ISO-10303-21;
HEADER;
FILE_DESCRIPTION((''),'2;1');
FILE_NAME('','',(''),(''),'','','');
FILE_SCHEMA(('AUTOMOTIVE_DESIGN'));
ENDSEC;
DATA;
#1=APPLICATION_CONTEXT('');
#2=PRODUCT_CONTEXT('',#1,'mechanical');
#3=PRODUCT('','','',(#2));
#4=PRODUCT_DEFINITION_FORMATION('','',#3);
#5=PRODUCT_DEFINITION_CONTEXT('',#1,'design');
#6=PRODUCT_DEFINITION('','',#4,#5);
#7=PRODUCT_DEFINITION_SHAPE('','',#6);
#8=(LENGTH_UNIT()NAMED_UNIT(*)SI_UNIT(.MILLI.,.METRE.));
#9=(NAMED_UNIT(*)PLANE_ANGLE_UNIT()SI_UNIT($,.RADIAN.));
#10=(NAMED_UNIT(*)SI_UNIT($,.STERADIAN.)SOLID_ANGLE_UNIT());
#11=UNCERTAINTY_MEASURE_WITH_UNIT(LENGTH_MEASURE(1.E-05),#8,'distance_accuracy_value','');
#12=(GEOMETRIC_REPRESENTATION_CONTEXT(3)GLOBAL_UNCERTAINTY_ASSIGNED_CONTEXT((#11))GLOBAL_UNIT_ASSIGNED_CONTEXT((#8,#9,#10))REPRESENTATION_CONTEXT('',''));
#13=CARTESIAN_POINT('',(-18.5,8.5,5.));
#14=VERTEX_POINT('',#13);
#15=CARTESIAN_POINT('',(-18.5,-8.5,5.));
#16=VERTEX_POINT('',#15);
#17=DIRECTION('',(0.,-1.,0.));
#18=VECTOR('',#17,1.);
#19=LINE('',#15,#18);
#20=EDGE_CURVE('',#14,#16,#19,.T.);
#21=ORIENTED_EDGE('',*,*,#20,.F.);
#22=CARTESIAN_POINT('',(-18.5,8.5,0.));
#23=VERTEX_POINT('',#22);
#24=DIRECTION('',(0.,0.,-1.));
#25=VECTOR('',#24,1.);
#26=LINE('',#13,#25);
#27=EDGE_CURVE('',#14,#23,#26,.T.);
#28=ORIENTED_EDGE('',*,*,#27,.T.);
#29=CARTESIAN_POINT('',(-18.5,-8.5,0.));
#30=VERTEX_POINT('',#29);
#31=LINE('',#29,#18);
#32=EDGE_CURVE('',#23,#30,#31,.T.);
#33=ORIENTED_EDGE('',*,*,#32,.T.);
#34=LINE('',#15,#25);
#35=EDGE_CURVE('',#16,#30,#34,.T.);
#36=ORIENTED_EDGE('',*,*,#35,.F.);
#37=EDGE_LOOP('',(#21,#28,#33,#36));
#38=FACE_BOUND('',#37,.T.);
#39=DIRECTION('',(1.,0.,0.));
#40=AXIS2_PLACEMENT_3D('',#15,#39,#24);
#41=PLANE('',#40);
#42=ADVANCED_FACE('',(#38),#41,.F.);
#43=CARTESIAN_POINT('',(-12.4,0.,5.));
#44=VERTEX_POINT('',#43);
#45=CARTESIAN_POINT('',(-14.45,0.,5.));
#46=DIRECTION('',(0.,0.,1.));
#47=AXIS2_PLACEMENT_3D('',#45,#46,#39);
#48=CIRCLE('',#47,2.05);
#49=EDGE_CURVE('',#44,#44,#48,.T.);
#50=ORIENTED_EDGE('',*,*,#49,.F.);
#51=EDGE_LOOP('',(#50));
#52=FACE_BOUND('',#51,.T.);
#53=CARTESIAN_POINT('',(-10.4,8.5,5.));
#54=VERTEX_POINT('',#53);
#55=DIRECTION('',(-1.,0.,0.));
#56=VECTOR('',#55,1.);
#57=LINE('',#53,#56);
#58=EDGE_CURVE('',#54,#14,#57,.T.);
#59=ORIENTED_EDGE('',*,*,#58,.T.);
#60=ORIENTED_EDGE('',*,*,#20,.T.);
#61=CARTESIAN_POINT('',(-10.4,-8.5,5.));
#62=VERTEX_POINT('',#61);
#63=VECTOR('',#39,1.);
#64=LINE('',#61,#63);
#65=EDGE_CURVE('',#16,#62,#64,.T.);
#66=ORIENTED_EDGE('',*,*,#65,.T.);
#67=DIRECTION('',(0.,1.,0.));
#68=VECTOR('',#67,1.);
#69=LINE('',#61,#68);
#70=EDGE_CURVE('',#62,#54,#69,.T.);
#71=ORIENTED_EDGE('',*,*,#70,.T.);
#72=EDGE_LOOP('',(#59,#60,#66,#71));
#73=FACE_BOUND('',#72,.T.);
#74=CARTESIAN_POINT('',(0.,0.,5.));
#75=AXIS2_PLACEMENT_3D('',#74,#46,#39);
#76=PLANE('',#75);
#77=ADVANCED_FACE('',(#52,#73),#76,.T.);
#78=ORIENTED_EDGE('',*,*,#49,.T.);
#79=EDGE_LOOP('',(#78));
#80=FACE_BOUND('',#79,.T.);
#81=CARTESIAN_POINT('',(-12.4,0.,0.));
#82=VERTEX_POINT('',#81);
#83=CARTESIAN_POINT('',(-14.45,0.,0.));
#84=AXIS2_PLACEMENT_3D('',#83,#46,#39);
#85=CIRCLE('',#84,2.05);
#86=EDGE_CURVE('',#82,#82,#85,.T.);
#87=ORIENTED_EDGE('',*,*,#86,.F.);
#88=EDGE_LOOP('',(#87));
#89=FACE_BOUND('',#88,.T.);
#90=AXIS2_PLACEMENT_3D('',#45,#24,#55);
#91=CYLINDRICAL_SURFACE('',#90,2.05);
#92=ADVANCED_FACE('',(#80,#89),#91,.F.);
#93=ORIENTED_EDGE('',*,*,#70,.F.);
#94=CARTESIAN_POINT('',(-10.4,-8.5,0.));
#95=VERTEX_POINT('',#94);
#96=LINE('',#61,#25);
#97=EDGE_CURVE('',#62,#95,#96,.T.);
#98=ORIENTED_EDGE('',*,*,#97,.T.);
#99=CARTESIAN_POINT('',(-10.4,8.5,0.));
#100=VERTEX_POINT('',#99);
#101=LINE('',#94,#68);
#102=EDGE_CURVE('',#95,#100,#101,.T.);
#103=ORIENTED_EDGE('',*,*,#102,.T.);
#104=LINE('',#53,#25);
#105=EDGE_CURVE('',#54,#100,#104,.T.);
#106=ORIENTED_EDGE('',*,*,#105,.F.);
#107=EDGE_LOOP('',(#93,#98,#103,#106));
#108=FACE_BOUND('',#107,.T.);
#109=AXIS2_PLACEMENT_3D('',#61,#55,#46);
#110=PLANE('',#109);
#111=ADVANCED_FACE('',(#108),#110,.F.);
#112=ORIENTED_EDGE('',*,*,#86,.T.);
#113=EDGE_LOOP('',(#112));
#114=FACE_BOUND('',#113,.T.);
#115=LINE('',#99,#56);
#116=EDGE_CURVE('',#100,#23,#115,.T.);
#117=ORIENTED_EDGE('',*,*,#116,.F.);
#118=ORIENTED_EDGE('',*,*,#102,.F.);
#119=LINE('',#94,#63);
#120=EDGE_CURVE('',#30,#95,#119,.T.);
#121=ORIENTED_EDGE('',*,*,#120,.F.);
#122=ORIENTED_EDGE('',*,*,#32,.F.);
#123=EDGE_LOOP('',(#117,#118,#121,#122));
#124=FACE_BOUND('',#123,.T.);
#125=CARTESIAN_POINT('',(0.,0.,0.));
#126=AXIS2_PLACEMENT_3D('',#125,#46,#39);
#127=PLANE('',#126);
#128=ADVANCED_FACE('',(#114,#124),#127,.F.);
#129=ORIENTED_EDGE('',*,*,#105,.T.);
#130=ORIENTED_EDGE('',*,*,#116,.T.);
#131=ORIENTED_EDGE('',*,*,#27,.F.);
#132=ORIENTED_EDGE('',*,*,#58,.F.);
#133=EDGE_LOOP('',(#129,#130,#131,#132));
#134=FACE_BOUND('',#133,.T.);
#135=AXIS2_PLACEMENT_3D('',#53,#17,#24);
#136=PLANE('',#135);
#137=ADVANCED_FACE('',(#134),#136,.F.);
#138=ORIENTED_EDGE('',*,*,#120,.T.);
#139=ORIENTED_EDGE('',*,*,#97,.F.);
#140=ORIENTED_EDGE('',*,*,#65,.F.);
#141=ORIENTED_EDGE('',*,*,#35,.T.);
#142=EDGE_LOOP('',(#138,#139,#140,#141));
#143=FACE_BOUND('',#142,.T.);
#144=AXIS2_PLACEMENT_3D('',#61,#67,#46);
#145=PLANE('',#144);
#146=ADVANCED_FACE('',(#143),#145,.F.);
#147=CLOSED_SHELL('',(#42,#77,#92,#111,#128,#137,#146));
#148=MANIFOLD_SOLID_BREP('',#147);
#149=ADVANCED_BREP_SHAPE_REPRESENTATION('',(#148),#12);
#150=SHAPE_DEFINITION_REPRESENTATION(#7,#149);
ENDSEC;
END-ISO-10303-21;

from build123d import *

# Parameters (mm, degrees)
SKETCH1_W           = 8.1
SKETCH1_H           = 17
SKETCH1_R           = 2.05
BOSS_EXTRUDE1_DEPTH = 5


with BuildPart() as part:
    # Sketch1 → Boss-Extrude1 (new body)
    with BuildSketch(Plane.XY):
        with Locations((-14.45, 0)):
            Rectangle(SKETCH1_W, SKETCH1_H)
        with Locations((-14.45, 0)):
            Circle(SKETCH1_R, mode=Mode.SUBTRACT)
    extrude(amount=BOSS_EXTRUDE1_DEPTH)


solid = part.part
